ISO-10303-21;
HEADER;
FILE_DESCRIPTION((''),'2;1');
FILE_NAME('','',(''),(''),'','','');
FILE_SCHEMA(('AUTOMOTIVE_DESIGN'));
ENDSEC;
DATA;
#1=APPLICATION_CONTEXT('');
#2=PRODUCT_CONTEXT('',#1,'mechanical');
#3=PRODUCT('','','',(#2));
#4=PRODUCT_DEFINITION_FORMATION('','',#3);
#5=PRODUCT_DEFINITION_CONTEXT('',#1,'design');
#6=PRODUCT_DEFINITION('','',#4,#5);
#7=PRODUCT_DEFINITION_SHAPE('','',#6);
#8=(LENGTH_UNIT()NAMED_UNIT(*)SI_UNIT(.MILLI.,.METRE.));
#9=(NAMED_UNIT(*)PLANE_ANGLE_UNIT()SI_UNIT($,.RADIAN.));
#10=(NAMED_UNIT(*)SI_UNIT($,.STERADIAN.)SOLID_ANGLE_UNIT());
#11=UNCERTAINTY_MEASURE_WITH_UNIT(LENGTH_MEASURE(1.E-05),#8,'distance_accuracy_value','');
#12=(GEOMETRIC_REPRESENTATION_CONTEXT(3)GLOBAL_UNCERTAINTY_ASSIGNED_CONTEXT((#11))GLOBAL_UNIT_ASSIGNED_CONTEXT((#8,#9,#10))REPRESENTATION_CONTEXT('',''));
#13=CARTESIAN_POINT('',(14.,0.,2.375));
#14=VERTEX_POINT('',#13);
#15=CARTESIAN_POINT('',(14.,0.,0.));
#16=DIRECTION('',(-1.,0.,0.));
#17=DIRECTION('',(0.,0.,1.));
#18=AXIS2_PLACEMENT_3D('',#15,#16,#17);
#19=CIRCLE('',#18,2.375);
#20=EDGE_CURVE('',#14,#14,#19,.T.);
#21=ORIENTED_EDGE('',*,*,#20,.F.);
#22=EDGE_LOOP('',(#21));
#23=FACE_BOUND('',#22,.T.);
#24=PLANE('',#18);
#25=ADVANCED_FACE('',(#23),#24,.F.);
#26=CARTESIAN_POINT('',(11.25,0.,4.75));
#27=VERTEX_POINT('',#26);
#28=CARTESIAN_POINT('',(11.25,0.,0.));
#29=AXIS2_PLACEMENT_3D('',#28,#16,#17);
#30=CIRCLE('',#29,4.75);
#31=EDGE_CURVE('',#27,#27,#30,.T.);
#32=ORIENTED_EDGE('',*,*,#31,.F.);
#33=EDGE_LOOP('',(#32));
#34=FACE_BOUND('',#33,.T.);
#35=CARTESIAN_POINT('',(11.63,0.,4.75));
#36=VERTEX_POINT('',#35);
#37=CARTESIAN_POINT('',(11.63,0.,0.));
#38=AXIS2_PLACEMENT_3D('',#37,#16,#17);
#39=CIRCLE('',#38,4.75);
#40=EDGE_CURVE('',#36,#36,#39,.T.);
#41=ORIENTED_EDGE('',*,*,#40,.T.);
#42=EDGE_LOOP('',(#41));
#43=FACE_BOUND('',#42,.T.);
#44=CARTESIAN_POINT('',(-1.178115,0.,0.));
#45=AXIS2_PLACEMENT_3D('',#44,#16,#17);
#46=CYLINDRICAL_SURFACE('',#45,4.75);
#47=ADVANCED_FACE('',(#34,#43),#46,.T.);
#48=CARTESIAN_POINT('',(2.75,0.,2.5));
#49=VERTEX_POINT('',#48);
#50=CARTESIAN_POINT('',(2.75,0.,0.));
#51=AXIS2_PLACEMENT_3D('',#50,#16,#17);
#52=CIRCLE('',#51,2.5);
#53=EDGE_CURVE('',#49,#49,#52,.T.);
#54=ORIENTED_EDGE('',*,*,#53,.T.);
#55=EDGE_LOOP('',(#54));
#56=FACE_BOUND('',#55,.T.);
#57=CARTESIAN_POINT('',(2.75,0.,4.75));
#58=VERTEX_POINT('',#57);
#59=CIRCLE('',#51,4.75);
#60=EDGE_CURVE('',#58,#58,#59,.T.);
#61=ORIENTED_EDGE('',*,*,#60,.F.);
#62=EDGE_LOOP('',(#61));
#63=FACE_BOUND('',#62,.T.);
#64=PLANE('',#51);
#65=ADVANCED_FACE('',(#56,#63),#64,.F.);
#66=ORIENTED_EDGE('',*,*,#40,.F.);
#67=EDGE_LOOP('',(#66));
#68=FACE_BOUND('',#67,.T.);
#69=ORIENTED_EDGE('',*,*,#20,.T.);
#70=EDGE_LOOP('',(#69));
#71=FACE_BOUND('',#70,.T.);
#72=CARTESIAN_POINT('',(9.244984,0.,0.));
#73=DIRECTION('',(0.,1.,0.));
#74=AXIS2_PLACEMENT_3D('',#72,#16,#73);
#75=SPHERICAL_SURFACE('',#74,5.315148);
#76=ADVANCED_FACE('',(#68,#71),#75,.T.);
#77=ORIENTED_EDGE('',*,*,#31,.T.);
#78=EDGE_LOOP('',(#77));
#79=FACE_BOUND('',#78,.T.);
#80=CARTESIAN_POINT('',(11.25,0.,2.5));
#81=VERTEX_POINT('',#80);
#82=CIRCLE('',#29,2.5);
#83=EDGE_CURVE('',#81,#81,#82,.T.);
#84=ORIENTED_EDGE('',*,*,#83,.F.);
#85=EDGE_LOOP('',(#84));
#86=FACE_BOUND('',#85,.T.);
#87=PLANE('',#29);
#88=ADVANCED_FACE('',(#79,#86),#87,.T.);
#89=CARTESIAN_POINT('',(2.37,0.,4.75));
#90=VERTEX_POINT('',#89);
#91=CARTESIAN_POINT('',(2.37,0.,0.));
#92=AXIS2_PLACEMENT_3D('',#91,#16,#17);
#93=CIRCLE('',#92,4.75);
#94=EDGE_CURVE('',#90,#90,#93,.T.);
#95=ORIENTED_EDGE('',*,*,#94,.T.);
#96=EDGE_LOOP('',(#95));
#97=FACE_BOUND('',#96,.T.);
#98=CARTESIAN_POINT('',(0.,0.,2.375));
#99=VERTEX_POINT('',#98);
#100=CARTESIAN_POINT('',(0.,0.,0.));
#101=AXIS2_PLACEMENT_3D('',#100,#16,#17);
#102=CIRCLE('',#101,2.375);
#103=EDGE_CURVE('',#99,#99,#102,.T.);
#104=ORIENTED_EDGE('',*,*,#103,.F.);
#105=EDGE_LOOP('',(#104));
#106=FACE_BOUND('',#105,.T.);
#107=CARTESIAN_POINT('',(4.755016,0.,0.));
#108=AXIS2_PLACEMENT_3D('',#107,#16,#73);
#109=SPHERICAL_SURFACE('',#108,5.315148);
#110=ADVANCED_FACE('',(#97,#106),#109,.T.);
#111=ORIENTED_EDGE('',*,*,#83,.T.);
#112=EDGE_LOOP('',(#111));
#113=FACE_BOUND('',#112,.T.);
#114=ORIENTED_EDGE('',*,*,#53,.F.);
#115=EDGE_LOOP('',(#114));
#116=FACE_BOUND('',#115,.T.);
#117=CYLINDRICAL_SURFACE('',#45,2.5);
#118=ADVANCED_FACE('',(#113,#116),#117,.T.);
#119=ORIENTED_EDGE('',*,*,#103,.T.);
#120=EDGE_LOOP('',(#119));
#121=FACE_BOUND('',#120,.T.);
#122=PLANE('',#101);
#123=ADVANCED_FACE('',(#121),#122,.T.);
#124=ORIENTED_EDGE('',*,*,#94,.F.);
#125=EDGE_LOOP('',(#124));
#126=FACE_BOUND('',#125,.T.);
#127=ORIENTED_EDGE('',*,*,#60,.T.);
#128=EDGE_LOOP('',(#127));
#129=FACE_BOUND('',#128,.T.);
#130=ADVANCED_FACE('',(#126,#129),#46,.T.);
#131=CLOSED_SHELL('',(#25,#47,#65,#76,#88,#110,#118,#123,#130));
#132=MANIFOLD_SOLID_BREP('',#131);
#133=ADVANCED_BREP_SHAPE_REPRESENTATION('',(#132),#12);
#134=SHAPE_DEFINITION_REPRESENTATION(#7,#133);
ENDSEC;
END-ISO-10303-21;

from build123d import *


with BuildPart() as part:
    # Sketch2 → Revolve1 (revolve)
    with BuildSketch(Plane.XY):
        with BuildLine():
            ThreePointArc((0, 2.375), (0.992680215, 3.754414901), (2.37, 4.75))
            Line((2.37, 4.75), (2.75, 4.75))
            Line((2.75, 4.75), (2.75, 2.5))
            Line((2.75, 2.5), (11.25, 2.5))
            Line((11.25, 2.5), (11.25, 4.75))
            Line((11.25, 4.75), (11.63, 4.75))
            ThreePointArc((11.63, 4.75), (13.007319785, 3.754414901), (14, 2.375))
            Line((14, 2.375), (14, 0))
            Line((14, 0), (0, 0))
            Line((0, 0), (0, 2.375))
        make_face()
    revolve(axis=Axis((-1.178114582, 0, 0), (1, 0, 0)))


solid = part.part
